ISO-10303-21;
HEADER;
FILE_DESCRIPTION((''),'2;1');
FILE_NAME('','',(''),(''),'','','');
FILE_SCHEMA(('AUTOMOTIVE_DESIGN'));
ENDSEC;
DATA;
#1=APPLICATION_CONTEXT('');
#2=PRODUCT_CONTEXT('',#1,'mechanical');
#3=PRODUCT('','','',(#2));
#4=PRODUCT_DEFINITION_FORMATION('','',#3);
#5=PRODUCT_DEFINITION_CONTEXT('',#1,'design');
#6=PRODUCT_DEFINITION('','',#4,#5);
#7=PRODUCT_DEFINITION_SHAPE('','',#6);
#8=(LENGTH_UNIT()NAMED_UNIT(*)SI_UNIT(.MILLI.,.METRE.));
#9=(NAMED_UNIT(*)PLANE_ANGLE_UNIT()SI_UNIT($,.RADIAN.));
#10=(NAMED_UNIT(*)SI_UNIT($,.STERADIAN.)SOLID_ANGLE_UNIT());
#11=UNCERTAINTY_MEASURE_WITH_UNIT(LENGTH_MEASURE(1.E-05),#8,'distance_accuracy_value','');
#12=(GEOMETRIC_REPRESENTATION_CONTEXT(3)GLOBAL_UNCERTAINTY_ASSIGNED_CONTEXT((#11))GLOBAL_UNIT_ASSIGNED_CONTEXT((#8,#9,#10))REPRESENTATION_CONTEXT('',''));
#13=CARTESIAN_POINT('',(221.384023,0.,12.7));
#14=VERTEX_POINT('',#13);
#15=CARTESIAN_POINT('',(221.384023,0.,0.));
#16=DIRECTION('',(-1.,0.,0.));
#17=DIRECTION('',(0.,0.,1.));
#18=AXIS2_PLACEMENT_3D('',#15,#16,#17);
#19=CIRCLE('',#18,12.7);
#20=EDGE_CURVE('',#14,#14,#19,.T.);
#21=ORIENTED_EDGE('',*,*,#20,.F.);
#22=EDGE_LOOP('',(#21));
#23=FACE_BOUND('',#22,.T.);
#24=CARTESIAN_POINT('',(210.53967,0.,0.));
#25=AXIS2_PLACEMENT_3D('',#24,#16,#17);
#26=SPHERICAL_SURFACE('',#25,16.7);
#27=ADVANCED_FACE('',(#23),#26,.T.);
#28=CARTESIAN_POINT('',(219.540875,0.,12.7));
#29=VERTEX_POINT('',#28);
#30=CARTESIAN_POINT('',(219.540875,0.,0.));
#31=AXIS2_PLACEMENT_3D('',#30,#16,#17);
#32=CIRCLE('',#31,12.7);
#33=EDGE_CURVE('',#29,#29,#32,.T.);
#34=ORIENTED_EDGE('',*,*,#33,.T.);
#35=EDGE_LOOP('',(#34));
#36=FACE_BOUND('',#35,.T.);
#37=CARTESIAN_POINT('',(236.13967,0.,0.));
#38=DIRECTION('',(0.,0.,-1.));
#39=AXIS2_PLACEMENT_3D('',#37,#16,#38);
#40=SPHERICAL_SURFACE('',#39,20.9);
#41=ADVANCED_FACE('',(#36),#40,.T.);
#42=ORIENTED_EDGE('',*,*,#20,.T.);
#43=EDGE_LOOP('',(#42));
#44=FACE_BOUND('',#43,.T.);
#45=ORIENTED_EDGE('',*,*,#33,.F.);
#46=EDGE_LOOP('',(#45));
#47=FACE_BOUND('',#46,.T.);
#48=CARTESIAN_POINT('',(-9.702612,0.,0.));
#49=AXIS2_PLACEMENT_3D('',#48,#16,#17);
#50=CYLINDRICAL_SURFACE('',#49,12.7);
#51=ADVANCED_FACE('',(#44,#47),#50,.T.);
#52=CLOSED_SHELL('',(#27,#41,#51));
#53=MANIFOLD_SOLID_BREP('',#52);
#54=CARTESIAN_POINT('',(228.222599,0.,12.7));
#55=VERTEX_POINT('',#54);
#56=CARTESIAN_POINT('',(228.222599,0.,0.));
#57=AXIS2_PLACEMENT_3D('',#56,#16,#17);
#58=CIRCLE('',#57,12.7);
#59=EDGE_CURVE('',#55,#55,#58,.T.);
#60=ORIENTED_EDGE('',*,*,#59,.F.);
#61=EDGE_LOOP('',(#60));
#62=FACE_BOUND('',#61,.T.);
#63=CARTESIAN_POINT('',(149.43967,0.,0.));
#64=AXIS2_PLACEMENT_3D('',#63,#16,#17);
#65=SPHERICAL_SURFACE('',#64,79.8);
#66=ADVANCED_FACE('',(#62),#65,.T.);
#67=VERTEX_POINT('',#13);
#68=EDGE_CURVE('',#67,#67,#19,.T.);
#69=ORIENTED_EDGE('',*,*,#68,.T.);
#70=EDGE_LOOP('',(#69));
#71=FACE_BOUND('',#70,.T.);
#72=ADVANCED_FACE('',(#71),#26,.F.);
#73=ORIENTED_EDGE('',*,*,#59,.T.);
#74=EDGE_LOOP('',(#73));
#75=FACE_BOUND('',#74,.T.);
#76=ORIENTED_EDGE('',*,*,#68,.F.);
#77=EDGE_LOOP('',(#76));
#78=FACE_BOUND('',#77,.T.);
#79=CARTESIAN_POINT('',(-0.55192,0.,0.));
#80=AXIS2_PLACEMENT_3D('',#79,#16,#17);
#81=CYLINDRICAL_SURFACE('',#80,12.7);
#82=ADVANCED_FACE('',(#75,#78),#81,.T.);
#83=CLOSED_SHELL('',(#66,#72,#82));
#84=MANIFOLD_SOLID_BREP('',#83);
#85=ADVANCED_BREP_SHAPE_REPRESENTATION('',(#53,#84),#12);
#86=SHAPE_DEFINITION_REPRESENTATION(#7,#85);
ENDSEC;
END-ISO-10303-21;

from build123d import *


with BuildPart() as part:
    # 草图1 one side → 旋转1 (revolve)
    with BuildSketch(Plane(origin=(0, 0, 0), x_dir=(1, 0, 0), z_dir=(0, 1, 0)), mode=Mode.PRIVATE) as revolve_1_sk:
        with BuildLine():
            ThreePointArc((219.540874627, 12.7), (216.344154889, 6.704296445), (215.239669764, 0))
            Line((215.239669764, 0), (227.239669764, 0))
            ThreePointArc((227.239669764, 0), (225.705267367, 6.992470906), (221.384023134, 12.7))
            Line((221.384023134, 12.7), (219.540874627, 12.7))
        make_face()
    revolve(revolve_1_sk.sketch.rotate(Axis((-9.702612178, 0, 0), (1, 0, 0)), 180), axis=Axis((-9.702612178, 0, 0), (1, 0, 0)))  # turned: the seam where the file's is


with BuildPart() as body_2:
    # 草图2 one side → 旋转3 (revolve)
    with BuildSketch(Plane(origin=(0, 0, 0), x_dir=(1, 0, 0), z_dir=(0, 1, 0)), mode=Mode.PRIVATE) as revolve_3_sk:
        with BuildLine():
            Line((228.222599387, 12.7), (221.384023134, 12.7))
            ThreePointArc((221.384023134, 12.7), (225.705267367, 6.992470906), (227.239669764, 0))
            Line((227.239669764, 0), (229.239669764, 0))
            ThreePointArc((229.239669764, 0), (228.984995786, 6.370330293), (228.222599387, 12.7))
        make_face()
    revolve(revolve_3_sk.sketch.rotate(Axis((-0.551919993, 0, 0), (1, 0, 0)), 180), axis=Axis((-0.551919993, 0, 0), (1, 0, 0)))  # turned: the seam where the file's is


solid = Compound([part.part, body_2.part])
